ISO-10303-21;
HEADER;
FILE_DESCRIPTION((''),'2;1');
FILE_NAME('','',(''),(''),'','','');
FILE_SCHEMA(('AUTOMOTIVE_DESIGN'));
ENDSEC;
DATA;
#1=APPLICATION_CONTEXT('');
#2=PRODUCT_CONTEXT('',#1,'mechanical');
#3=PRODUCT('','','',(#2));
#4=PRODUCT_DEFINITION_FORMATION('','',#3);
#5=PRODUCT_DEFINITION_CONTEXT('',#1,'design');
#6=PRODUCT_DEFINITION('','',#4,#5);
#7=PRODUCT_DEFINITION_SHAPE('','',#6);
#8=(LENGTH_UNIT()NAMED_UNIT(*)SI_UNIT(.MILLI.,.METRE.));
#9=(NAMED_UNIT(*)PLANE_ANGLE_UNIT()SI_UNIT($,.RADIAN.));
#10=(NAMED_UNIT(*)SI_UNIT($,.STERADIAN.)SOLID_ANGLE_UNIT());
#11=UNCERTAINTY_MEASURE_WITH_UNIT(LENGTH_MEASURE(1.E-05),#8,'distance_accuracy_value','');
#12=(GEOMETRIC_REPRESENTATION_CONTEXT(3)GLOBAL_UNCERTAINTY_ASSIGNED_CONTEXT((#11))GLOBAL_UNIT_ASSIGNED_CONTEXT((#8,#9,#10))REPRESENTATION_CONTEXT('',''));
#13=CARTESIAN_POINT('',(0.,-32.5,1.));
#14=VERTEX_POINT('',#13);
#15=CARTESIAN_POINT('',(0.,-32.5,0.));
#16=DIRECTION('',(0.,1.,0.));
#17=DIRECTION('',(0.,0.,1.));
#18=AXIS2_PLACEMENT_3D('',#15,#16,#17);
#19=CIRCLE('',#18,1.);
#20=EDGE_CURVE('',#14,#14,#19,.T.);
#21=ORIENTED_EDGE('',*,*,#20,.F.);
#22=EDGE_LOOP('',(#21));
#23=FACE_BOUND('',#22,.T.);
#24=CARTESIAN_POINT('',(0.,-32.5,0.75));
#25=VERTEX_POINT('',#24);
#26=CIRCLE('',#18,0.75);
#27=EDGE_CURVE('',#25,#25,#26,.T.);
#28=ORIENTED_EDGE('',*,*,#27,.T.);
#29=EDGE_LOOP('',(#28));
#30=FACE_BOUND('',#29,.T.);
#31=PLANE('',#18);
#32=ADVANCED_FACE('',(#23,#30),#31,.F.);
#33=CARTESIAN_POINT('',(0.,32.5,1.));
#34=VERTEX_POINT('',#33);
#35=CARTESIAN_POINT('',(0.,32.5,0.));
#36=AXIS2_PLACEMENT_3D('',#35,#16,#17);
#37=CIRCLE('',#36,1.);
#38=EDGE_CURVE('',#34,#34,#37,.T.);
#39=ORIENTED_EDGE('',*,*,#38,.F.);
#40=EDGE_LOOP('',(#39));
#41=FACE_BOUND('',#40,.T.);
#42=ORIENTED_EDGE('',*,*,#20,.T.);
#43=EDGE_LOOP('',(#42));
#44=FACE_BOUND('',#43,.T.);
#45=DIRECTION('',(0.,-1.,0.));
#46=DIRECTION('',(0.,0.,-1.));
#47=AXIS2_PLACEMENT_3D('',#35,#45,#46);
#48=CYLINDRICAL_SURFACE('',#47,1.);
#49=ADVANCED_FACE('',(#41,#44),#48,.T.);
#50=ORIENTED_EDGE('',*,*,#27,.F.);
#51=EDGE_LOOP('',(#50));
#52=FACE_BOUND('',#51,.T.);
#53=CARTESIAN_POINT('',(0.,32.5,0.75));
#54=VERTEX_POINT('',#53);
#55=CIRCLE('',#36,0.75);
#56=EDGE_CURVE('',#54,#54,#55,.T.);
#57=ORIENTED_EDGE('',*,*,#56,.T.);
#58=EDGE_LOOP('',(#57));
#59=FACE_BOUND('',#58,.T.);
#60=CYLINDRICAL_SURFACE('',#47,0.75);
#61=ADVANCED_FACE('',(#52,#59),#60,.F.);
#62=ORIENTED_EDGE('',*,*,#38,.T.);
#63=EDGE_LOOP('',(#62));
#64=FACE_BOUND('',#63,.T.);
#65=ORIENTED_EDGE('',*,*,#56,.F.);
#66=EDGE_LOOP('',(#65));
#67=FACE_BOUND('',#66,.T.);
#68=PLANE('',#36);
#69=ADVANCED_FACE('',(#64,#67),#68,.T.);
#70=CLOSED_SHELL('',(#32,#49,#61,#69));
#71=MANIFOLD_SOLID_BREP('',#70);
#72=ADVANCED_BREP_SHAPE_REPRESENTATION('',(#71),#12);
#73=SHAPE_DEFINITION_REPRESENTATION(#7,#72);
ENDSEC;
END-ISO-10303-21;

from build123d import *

# Parameters (mm, degrees)
SKETCH1_R           = 1
SKETCH1_R_2         = 0.75
BOSS_EXTRUDE1_DEPTH = 32.5


with BuildPart() as part:
    # Sketch1 → Boss-Extrude1 (new, symmetric)
    with BuildSketch(Plane(origin=(0, 0, 0), x_dir=(1, 0, 0), z_dir=(0, 1, 0))):
        with Locations(Location((0, 0, 0), (0, 0, 270))):
            Circle(SKETCH1_R)
        with Locations(Location((0, 0, 0), (0, 0, 270))):
            Circle(SKETCH1_R_2, mode=Mode.SUBTRACT)
    extrude(amount=BOSS_EXTRUDE1_DEPTH, both=True)


solid = part.part
